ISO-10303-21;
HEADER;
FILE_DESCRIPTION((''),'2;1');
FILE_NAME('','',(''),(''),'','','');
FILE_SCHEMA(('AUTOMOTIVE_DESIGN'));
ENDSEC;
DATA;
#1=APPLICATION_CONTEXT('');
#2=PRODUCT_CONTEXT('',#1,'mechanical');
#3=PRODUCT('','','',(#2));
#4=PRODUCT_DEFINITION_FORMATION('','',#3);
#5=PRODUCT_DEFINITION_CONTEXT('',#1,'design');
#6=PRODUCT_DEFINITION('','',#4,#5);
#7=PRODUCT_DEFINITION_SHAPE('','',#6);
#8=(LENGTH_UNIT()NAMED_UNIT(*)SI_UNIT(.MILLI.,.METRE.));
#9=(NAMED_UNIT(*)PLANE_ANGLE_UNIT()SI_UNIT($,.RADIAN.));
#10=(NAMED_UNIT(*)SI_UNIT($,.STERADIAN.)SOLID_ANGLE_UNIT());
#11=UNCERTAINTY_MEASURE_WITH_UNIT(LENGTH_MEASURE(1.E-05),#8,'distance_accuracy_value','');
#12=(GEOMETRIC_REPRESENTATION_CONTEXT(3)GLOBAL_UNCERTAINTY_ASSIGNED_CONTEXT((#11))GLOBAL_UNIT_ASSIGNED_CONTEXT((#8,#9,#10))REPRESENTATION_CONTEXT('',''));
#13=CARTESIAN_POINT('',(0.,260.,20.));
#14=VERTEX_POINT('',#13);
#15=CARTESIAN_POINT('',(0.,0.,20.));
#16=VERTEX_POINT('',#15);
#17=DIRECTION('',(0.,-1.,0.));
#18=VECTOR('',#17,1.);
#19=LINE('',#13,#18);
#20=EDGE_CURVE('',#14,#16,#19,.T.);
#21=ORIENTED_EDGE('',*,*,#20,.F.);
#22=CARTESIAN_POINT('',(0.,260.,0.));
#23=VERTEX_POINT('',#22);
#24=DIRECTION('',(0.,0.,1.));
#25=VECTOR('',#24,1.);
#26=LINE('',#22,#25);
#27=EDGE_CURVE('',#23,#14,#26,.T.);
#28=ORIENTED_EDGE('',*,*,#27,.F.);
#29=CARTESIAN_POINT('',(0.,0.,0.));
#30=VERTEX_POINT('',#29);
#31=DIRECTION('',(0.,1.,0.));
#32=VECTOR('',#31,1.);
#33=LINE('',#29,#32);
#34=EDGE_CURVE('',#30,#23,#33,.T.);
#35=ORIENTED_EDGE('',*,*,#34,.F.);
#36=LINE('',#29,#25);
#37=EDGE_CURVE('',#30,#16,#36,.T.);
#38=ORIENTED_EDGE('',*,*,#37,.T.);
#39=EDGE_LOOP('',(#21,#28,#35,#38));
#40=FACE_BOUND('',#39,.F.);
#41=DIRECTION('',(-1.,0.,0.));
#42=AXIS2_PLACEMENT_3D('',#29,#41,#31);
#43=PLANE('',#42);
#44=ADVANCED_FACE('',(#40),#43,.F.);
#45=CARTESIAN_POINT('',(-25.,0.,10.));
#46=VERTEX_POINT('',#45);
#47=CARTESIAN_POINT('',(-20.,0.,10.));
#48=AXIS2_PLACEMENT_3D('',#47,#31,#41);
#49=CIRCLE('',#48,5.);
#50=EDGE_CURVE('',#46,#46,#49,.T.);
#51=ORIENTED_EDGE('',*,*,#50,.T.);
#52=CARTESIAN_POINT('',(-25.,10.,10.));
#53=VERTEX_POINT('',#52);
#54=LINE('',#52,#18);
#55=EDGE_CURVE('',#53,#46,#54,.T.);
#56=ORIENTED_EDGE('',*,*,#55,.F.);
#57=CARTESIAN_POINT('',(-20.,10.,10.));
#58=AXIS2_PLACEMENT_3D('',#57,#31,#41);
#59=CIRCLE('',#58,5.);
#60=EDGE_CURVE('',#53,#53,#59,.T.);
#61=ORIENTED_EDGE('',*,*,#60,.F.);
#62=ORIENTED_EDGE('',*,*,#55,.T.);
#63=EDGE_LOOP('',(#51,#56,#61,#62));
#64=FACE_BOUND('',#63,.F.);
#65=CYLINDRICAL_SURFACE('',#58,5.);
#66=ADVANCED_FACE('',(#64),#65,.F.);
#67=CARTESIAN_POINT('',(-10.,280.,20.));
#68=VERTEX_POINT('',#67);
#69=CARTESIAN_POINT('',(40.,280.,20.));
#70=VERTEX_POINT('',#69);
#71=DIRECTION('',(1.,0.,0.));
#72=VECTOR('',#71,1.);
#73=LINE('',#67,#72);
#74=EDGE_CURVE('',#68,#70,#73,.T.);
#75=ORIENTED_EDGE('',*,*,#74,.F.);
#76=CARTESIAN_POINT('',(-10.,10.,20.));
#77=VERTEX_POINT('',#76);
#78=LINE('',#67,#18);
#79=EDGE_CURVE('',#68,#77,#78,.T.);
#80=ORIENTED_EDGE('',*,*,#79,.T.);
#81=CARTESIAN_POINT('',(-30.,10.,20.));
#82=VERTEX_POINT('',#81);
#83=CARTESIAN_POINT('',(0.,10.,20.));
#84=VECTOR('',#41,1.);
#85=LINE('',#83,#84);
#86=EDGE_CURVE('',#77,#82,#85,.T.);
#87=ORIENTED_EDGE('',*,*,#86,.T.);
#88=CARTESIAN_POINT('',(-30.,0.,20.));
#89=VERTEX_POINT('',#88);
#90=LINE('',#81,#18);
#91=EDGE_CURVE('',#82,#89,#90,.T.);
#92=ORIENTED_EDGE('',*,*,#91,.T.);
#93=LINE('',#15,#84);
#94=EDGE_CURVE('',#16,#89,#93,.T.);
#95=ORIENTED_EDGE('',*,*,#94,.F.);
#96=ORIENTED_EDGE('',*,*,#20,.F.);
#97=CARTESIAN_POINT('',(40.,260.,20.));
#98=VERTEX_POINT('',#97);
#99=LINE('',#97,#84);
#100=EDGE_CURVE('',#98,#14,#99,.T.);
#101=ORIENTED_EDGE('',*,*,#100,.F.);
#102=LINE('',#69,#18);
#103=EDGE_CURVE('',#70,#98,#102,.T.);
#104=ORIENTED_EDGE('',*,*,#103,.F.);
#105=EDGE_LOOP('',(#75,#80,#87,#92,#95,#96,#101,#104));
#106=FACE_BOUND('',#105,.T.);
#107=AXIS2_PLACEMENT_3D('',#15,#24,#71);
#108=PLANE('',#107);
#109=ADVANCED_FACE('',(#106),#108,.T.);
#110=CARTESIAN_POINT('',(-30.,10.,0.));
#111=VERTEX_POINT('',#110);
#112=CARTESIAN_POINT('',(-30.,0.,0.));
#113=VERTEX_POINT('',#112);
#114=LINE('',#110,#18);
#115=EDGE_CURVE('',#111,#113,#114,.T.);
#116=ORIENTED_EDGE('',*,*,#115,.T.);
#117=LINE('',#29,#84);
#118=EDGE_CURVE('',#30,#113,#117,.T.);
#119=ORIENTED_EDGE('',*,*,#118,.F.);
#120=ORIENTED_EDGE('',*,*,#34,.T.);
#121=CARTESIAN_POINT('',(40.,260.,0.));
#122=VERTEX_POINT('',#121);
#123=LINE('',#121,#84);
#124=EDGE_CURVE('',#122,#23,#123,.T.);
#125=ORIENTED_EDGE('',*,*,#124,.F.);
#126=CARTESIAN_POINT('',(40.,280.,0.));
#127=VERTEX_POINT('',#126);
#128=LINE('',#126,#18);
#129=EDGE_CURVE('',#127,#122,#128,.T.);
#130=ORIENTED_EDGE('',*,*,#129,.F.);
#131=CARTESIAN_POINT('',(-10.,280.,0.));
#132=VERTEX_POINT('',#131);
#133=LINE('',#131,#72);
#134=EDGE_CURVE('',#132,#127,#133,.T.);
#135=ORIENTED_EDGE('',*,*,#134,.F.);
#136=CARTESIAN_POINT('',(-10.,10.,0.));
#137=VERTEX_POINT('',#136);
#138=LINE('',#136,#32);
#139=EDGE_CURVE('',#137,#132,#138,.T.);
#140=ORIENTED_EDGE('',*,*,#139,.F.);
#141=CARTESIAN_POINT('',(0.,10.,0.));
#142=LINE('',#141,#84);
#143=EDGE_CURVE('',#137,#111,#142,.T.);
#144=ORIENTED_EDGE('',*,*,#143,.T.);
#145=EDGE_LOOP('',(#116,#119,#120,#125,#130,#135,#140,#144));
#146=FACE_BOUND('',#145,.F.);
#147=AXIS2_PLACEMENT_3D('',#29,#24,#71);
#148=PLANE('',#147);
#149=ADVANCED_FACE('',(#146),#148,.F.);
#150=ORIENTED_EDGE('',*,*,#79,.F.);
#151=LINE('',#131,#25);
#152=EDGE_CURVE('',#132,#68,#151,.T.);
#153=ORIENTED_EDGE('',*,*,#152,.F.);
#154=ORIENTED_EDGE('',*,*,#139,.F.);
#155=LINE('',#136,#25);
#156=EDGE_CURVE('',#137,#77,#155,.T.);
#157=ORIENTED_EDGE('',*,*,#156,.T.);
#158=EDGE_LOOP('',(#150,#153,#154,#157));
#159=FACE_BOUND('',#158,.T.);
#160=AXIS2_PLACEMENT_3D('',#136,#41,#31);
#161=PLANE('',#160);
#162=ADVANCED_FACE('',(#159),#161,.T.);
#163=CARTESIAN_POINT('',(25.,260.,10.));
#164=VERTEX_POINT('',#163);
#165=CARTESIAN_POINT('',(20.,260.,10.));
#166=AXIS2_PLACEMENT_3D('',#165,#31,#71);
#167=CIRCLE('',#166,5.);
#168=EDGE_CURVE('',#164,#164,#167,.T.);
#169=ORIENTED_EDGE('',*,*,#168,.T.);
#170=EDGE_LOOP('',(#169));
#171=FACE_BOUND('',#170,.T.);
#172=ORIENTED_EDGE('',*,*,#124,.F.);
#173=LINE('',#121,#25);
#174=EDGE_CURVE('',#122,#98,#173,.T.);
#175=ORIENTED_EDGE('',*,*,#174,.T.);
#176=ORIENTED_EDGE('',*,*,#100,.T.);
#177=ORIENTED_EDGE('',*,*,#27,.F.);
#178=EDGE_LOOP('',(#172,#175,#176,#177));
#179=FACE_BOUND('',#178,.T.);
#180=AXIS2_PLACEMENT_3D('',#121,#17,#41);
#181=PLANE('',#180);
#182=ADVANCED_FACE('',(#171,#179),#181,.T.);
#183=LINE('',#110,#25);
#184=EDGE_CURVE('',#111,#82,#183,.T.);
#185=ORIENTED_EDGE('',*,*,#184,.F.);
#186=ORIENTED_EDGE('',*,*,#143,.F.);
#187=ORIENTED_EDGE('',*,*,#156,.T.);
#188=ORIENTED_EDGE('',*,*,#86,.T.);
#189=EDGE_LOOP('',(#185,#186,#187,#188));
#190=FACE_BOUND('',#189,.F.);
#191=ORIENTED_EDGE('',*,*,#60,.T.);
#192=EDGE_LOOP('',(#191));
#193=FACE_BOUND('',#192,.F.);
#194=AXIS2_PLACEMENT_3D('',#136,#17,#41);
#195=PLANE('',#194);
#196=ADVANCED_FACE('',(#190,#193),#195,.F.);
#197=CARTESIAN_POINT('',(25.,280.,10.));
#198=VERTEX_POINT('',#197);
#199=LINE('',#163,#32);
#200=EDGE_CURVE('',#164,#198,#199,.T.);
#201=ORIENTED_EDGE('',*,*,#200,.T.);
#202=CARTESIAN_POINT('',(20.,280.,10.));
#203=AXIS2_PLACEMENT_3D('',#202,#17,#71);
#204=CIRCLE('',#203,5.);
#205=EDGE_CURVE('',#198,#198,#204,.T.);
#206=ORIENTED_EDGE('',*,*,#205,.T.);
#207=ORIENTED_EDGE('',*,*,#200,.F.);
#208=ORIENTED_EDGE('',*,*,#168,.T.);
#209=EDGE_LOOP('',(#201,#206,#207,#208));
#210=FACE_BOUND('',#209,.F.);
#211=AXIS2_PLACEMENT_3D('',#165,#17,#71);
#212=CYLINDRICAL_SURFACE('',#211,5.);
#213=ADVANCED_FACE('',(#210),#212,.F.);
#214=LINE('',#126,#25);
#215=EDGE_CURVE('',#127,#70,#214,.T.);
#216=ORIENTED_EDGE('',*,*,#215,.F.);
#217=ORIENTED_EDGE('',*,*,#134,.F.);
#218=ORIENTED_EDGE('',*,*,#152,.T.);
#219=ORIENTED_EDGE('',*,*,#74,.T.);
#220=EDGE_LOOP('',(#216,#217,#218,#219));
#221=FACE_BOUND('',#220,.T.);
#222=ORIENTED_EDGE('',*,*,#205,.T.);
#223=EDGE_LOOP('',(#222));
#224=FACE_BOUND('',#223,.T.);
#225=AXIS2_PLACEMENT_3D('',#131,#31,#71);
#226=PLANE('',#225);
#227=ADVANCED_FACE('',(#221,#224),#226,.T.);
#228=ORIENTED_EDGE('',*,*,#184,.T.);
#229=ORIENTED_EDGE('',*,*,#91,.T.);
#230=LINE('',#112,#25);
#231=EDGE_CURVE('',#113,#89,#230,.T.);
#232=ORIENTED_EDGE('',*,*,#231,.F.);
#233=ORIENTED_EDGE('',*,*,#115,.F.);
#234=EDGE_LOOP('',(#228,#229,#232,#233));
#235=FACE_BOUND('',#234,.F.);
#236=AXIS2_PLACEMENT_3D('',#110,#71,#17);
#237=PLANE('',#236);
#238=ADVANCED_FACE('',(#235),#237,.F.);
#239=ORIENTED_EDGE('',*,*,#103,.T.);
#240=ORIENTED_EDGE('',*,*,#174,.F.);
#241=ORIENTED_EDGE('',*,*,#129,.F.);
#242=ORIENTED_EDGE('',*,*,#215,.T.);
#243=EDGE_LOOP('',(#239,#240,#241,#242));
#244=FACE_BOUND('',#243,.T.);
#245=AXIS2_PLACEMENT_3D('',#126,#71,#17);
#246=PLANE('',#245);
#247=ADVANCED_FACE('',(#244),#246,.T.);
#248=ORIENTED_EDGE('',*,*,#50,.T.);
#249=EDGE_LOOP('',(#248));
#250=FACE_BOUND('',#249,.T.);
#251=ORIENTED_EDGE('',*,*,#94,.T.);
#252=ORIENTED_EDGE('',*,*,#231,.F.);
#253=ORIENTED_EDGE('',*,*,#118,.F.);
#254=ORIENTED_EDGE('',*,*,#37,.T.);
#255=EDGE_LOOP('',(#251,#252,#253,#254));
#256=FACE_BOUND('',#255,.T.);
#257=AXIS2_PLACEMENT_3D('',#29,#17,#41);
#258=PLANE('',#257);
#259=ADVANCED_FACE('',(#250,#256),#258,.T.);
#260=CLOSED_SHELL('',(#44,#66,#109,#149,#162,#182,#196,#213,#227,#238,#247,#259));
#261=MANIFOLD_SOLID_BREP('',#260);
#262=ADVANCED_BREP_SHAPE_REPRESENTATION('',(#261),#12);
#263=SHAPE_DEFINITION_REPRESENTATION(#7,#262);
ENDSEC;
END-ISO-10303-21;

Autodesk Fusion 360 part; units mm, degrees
sketch "Sketch1" plane through (0, 0, 0) normal (0, 0, 1) x (1, 0, 0)
  line L0 (0, 0) -> (0, 260)
  line L1 (0, 0) -> (-30, 0)
  line L2 (-30, 0) -> (0, 0)
  line L3 (0, 0) -> (0, 10)
  line L4 (0, 10) -> (-30, 10)
  line L5 (-30, 10) -> (-30, 0)
  line L6 (0, 10) -> (-10, 10)
  line L7 (-10, 10) -> (-10, 280)
  line L8 (-10, 280) -> (40, 280)
  line L9 (40, 280) -> (40, 260)
  line L10 (40, 260) -> (-10, 260)
  line L11 (-10, 260) -> (-10, 280)
  dimension "d1" = 260
  dimension "d2" = 30
  dimension "d3" = 10
  dimension "d4" = 270
  dimension "d5" = 50
  dimension "d6" = 20
extrude "Extrude1" add sketch "Sketch1" along normal blind 20
sketch "Sketch2" plane through (0, 260, 0) normal (0, -1, 0) x (1, 0, 0)
  line L0 (0, 0) -> (40, 0)
  line L1 (40, 0) -> (40, 20)
  line L2 (40, 20) -> (0, 20)
  line L3 (0, 20) -> (0, 0)
  line L4 (20, 20) -> (20, 10)
  circle A0 centre (20, 10) radius 5
  dimension "d9" = 10
sketch "Sketch3" plane through (0, 10, 0) normal (0, 1, 0) x (-1, 0, 0)
  line L0 (10, 0) -> (30, 0)
  line L1 (30, 0) -> (30, 20)
  line L2 (30, 20) -> (10, 20)
  line L3 (10, 20) -> (10, 0)
  circle A0 centre (20, 10) radius 5
  dimension "d10" = 10
extrude "Extrude2" cut sketch "Sketch3" against normal blind 25 contours A0
extrude "Extrude3" cut sketch "Sketch2" against normal blind 100 contours A0
